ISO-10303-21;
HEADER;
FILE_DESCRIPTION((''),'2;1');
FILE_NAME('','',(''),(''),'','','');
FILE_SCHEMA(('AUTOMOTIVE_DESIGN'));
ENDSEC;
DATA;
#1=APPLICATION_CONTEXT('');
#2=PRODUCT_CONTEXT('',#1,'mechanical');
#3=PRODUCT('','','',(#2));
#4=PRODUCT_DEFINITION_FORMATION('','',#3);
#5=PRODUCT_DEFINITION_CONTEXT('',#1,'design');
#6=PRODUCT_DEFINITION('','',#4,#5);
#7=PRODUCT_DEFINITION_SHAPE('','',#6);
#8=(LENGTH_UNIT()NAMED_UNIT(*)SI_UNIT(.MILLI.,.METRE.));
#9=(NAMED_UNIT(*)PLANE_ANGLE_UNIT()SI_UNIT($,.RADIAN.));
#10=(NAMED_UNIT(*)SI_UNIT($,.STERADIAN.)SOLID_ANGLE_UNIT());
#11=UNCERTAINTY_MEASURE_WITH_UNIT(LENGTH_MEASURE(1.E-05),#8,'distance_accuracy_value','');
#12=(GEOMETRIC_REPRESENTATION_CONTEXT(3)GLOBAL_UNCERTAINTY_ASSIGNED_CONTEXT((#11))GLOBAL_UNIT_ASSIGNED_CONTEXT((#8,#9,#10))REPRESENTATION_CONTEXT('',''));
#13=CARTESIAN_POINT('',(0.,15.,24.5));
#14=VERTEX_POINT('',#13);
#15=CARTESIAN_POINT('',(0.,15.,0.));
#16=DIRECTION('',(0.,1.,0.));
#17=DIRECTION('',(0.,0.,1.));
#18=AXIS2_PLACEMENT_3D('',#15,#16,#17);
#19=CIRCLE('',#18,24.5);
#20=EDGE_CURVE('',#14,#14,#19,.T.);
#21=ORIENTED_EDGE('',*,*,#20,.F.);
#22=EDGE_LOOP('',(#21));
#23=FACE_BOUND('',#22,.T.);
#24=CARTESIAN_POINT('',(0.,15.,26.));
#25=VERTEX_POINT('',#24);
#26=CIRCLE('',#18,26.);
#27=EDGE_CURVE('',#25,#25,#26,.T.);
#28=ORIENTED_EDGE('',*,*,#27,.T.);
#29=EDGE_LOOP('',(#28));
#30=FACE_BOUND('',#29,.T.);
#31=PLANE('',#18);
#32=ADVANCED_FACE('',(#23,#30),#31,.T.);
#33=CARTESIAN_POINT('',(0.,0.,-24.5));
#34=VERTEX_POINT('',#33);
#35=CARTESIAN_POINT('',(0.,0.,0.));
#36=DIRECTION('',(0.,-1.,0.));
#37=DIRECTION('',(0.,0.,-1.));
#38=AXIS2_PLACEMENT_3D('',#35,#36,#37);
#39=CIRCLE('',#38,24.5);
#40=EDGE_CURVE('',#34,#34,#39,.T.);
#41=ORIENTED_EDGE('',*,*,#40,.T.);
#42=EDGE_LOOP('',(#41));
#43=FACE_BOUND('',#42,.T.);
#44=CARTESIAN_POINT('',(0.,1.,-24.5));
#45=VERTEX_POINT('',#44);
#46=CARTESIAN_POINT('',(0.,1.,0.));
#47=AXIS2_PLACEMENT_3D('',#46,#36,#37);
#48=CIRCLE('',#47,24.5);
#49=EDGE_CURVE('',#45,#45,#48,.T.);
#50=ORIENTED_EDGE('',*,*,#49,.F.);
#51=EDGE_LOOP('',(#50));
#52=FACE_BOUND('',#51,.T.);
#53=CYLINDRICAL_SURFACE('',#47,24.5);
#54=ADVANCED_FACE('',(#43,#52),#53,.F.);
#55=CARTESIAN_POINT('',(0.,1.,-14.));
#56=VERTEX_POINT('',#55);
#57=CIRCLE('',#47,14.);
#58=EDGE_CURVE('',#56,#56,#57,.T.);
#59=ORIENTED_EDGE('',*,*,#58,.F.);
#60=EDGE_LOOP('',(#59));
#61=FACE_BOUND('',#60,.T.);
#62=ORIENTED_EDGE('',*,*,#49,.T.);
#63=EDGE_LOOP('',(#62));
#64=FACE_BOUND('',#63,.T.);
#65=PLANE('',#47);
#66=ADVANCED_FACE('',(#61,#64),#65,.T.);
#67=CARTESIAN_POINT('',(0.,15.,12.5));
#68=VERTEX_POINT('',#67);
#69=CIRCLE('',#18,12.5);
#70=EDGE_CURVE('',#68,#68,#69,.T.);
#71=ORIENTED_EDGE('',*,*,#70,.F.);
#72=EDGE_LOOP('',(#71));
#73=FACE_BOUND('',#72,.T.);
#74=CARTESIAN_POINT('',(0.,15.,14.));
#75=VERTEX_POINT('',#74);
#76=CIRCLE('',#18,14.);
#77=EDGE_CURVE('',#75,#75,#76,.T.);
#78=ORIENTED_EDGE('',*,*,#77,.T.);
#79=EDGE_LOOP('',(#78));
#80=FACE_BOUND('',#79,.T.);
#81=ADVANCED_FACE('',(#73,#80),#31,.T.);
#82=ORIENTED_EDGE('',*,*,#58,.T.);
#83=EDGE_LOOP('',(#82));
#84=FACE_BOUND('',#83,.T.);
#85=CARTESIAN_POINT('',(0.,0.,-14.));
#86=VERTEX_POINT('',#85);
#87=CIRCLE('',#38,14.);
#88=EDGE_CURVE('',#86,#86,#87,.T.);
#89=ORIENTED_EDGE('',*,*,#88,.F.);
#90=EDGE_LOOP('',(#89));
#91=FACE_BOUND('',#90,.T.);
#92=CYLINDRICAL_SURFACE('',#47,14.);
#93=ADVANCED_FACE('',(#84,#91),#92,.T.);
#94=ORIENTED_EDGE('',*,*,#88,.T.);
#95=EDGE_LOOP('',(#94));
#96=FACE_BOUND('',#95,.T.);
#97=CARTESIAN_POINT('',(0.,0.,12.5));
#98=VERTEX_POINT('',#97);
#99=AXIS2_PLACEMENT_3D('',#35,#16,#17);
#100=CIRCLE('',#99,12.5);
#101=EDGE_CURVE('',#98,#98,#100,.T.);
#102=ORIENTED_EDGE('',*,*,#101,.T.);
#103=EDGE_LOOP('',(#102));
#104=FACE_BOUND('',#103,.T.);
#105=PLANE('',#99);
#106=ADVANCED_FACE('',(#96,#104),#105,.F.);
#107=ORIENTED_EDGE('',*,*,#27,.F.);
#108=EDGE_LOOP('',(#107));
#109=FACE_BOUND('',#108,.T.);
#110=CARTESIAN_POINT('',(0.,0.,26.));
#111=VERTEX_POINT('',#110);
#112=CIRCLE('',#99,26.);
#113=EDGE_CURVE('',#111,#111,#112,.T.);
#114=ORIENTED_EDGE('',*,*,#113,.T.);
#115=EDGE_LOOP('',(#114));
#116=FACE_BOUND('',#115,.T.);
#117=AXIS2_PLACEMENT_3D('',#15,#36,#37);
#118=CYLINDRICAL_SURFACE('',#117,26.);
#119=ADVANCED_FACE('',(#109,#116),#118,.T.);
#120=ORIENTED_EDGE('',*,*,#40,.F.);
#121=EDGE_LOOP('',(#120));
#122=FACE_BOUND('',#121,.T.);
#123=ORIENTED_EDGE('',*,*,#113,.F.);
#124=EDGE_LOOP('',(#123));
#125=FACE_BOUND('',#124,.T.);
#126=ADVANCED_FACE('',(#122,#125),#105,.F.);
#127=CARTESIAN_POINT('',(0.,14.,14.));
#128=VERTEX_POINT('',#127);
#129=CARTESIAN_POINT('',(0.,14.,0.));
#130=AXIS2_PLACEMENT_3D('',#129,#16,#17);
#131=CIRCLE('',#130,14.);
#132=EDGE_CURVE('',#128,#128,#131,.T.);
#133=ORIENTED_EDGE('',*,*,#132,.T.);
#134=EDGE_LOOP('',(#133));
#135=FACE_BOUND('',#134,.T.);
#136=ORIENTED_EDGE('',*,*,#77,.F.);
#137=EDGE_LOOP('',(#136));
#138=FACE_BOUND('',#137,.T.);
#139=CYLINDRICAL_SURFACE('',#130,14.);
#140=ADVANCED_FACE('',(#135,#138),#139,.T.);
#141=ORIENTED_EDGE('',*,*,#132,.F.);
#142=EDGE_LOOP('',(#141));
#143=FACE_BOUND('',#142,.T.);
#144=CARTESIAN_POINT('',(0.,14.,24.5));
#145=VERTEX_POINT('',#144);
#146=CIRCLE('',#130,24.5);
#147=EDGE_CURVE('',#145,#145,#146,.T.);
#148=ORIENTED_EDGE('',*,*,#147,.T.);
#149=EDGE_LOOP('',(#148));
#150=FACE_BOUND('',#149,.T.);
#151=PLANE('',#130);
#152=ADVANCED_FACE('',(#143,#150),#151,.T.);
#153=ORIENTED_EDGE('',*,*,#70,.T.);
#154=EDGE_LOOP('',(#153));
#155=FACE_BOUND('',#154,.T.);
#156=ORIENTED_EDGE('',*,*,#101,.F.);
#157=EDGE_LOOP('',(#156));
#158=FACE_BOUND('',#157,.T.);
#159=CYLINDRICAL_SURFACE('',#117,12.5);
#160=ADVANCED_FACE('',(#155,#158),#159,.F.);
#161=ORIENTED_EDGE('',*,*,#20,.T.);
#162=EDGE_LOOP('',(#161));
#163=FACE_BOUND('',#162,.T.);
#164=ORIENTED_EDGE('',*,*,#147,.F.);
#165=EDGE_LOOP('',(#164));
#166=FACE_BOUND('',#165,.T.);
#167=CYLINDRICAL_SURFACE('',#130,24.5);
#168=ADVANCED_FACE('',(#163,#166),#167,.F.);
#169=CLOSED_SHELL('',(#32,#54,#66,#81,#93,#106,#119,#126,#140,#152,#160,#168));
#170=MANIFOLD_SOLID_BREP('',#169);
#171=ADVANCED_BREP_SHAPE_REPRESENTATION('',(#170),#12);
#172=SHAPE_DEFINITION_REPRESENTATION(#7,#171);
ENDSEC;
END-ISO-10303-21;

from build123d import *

# Parameters (mm, degrees)
CROQUIS1_R              = 26
CROQUIS1_R_2            = 12.5
SALIENTE_EXTRUIR1_DEPTH = 15
CROQUIS2_R              = 24.5
CROQUIS2_R_2            = 14
CORTAR_EXTRUIR1_DEPTH   = 1
CORTAR_EXTRUIR3_START   = -1
CROQUIS3_R              = 24.5
CROQUIS3_R_2            = 14
CORTAR_EXTRUIR3_DEPTH   = 1


with BuildPart() as part:
    # Croquis1 → Saliente-Extruir1 (new body)
    with BuildSketch(Plane(origin=(0, 0, 0), x_dir=(1, 0, 0), z_dir=(0, 1, 0))):
        with Locations(Location((0, 0, 0), (0, 0, 270))):
            Circle(CROQUIS1_R)
        with Locations(Location((0, 0, 0), (0, 0, 270))):
            Circle(CROQUIS1_R_2, mode=Mode.SUBTRACT)
    extrude(amount=SALIENTE_EXTRUIR1_DEPTH)

    # Croquis2 → Cortar-Extruir1 (cut)
    with BuildSketch(Plane(origin=(0, 15, 0), x_dir=(1, 0, 0), z_dir=(0, 1, 0))):
        with Locations(Location((0, 0, 0), (0, 0, 270))):
            Circle(CROQUIS2_R)
        with Locations(Location((0, 0, 0), (0, 0, 270))):
            Circle(CROQUIS2_R_2, mode=Mode.SUBTRACT)
    extrude(amount=-CORTAR_EXTRUIR1_DEPTH, mode=Mode.SUBTRACT)

    # Croquis3 → Cortar-Extruir3 (cut)
    with BuildSketch(Plane.XZ.offset(CORTAR_EXTRUIR3_START)):
        with Locations(Location((0, 0, 0), (0, 0, 90))):
            Circle(CROQUIS3_R)
        with Locations(Location((0, 0, 0), (0, 0, 90))):
            Circle(CROQUIS3_R_2, mode=Mode.SUBTRACT)
    extrude(amount=CORTAR_EXTRUIR3_DEPTH, mode=Mode.SUBTRACT)


solid = part.part
